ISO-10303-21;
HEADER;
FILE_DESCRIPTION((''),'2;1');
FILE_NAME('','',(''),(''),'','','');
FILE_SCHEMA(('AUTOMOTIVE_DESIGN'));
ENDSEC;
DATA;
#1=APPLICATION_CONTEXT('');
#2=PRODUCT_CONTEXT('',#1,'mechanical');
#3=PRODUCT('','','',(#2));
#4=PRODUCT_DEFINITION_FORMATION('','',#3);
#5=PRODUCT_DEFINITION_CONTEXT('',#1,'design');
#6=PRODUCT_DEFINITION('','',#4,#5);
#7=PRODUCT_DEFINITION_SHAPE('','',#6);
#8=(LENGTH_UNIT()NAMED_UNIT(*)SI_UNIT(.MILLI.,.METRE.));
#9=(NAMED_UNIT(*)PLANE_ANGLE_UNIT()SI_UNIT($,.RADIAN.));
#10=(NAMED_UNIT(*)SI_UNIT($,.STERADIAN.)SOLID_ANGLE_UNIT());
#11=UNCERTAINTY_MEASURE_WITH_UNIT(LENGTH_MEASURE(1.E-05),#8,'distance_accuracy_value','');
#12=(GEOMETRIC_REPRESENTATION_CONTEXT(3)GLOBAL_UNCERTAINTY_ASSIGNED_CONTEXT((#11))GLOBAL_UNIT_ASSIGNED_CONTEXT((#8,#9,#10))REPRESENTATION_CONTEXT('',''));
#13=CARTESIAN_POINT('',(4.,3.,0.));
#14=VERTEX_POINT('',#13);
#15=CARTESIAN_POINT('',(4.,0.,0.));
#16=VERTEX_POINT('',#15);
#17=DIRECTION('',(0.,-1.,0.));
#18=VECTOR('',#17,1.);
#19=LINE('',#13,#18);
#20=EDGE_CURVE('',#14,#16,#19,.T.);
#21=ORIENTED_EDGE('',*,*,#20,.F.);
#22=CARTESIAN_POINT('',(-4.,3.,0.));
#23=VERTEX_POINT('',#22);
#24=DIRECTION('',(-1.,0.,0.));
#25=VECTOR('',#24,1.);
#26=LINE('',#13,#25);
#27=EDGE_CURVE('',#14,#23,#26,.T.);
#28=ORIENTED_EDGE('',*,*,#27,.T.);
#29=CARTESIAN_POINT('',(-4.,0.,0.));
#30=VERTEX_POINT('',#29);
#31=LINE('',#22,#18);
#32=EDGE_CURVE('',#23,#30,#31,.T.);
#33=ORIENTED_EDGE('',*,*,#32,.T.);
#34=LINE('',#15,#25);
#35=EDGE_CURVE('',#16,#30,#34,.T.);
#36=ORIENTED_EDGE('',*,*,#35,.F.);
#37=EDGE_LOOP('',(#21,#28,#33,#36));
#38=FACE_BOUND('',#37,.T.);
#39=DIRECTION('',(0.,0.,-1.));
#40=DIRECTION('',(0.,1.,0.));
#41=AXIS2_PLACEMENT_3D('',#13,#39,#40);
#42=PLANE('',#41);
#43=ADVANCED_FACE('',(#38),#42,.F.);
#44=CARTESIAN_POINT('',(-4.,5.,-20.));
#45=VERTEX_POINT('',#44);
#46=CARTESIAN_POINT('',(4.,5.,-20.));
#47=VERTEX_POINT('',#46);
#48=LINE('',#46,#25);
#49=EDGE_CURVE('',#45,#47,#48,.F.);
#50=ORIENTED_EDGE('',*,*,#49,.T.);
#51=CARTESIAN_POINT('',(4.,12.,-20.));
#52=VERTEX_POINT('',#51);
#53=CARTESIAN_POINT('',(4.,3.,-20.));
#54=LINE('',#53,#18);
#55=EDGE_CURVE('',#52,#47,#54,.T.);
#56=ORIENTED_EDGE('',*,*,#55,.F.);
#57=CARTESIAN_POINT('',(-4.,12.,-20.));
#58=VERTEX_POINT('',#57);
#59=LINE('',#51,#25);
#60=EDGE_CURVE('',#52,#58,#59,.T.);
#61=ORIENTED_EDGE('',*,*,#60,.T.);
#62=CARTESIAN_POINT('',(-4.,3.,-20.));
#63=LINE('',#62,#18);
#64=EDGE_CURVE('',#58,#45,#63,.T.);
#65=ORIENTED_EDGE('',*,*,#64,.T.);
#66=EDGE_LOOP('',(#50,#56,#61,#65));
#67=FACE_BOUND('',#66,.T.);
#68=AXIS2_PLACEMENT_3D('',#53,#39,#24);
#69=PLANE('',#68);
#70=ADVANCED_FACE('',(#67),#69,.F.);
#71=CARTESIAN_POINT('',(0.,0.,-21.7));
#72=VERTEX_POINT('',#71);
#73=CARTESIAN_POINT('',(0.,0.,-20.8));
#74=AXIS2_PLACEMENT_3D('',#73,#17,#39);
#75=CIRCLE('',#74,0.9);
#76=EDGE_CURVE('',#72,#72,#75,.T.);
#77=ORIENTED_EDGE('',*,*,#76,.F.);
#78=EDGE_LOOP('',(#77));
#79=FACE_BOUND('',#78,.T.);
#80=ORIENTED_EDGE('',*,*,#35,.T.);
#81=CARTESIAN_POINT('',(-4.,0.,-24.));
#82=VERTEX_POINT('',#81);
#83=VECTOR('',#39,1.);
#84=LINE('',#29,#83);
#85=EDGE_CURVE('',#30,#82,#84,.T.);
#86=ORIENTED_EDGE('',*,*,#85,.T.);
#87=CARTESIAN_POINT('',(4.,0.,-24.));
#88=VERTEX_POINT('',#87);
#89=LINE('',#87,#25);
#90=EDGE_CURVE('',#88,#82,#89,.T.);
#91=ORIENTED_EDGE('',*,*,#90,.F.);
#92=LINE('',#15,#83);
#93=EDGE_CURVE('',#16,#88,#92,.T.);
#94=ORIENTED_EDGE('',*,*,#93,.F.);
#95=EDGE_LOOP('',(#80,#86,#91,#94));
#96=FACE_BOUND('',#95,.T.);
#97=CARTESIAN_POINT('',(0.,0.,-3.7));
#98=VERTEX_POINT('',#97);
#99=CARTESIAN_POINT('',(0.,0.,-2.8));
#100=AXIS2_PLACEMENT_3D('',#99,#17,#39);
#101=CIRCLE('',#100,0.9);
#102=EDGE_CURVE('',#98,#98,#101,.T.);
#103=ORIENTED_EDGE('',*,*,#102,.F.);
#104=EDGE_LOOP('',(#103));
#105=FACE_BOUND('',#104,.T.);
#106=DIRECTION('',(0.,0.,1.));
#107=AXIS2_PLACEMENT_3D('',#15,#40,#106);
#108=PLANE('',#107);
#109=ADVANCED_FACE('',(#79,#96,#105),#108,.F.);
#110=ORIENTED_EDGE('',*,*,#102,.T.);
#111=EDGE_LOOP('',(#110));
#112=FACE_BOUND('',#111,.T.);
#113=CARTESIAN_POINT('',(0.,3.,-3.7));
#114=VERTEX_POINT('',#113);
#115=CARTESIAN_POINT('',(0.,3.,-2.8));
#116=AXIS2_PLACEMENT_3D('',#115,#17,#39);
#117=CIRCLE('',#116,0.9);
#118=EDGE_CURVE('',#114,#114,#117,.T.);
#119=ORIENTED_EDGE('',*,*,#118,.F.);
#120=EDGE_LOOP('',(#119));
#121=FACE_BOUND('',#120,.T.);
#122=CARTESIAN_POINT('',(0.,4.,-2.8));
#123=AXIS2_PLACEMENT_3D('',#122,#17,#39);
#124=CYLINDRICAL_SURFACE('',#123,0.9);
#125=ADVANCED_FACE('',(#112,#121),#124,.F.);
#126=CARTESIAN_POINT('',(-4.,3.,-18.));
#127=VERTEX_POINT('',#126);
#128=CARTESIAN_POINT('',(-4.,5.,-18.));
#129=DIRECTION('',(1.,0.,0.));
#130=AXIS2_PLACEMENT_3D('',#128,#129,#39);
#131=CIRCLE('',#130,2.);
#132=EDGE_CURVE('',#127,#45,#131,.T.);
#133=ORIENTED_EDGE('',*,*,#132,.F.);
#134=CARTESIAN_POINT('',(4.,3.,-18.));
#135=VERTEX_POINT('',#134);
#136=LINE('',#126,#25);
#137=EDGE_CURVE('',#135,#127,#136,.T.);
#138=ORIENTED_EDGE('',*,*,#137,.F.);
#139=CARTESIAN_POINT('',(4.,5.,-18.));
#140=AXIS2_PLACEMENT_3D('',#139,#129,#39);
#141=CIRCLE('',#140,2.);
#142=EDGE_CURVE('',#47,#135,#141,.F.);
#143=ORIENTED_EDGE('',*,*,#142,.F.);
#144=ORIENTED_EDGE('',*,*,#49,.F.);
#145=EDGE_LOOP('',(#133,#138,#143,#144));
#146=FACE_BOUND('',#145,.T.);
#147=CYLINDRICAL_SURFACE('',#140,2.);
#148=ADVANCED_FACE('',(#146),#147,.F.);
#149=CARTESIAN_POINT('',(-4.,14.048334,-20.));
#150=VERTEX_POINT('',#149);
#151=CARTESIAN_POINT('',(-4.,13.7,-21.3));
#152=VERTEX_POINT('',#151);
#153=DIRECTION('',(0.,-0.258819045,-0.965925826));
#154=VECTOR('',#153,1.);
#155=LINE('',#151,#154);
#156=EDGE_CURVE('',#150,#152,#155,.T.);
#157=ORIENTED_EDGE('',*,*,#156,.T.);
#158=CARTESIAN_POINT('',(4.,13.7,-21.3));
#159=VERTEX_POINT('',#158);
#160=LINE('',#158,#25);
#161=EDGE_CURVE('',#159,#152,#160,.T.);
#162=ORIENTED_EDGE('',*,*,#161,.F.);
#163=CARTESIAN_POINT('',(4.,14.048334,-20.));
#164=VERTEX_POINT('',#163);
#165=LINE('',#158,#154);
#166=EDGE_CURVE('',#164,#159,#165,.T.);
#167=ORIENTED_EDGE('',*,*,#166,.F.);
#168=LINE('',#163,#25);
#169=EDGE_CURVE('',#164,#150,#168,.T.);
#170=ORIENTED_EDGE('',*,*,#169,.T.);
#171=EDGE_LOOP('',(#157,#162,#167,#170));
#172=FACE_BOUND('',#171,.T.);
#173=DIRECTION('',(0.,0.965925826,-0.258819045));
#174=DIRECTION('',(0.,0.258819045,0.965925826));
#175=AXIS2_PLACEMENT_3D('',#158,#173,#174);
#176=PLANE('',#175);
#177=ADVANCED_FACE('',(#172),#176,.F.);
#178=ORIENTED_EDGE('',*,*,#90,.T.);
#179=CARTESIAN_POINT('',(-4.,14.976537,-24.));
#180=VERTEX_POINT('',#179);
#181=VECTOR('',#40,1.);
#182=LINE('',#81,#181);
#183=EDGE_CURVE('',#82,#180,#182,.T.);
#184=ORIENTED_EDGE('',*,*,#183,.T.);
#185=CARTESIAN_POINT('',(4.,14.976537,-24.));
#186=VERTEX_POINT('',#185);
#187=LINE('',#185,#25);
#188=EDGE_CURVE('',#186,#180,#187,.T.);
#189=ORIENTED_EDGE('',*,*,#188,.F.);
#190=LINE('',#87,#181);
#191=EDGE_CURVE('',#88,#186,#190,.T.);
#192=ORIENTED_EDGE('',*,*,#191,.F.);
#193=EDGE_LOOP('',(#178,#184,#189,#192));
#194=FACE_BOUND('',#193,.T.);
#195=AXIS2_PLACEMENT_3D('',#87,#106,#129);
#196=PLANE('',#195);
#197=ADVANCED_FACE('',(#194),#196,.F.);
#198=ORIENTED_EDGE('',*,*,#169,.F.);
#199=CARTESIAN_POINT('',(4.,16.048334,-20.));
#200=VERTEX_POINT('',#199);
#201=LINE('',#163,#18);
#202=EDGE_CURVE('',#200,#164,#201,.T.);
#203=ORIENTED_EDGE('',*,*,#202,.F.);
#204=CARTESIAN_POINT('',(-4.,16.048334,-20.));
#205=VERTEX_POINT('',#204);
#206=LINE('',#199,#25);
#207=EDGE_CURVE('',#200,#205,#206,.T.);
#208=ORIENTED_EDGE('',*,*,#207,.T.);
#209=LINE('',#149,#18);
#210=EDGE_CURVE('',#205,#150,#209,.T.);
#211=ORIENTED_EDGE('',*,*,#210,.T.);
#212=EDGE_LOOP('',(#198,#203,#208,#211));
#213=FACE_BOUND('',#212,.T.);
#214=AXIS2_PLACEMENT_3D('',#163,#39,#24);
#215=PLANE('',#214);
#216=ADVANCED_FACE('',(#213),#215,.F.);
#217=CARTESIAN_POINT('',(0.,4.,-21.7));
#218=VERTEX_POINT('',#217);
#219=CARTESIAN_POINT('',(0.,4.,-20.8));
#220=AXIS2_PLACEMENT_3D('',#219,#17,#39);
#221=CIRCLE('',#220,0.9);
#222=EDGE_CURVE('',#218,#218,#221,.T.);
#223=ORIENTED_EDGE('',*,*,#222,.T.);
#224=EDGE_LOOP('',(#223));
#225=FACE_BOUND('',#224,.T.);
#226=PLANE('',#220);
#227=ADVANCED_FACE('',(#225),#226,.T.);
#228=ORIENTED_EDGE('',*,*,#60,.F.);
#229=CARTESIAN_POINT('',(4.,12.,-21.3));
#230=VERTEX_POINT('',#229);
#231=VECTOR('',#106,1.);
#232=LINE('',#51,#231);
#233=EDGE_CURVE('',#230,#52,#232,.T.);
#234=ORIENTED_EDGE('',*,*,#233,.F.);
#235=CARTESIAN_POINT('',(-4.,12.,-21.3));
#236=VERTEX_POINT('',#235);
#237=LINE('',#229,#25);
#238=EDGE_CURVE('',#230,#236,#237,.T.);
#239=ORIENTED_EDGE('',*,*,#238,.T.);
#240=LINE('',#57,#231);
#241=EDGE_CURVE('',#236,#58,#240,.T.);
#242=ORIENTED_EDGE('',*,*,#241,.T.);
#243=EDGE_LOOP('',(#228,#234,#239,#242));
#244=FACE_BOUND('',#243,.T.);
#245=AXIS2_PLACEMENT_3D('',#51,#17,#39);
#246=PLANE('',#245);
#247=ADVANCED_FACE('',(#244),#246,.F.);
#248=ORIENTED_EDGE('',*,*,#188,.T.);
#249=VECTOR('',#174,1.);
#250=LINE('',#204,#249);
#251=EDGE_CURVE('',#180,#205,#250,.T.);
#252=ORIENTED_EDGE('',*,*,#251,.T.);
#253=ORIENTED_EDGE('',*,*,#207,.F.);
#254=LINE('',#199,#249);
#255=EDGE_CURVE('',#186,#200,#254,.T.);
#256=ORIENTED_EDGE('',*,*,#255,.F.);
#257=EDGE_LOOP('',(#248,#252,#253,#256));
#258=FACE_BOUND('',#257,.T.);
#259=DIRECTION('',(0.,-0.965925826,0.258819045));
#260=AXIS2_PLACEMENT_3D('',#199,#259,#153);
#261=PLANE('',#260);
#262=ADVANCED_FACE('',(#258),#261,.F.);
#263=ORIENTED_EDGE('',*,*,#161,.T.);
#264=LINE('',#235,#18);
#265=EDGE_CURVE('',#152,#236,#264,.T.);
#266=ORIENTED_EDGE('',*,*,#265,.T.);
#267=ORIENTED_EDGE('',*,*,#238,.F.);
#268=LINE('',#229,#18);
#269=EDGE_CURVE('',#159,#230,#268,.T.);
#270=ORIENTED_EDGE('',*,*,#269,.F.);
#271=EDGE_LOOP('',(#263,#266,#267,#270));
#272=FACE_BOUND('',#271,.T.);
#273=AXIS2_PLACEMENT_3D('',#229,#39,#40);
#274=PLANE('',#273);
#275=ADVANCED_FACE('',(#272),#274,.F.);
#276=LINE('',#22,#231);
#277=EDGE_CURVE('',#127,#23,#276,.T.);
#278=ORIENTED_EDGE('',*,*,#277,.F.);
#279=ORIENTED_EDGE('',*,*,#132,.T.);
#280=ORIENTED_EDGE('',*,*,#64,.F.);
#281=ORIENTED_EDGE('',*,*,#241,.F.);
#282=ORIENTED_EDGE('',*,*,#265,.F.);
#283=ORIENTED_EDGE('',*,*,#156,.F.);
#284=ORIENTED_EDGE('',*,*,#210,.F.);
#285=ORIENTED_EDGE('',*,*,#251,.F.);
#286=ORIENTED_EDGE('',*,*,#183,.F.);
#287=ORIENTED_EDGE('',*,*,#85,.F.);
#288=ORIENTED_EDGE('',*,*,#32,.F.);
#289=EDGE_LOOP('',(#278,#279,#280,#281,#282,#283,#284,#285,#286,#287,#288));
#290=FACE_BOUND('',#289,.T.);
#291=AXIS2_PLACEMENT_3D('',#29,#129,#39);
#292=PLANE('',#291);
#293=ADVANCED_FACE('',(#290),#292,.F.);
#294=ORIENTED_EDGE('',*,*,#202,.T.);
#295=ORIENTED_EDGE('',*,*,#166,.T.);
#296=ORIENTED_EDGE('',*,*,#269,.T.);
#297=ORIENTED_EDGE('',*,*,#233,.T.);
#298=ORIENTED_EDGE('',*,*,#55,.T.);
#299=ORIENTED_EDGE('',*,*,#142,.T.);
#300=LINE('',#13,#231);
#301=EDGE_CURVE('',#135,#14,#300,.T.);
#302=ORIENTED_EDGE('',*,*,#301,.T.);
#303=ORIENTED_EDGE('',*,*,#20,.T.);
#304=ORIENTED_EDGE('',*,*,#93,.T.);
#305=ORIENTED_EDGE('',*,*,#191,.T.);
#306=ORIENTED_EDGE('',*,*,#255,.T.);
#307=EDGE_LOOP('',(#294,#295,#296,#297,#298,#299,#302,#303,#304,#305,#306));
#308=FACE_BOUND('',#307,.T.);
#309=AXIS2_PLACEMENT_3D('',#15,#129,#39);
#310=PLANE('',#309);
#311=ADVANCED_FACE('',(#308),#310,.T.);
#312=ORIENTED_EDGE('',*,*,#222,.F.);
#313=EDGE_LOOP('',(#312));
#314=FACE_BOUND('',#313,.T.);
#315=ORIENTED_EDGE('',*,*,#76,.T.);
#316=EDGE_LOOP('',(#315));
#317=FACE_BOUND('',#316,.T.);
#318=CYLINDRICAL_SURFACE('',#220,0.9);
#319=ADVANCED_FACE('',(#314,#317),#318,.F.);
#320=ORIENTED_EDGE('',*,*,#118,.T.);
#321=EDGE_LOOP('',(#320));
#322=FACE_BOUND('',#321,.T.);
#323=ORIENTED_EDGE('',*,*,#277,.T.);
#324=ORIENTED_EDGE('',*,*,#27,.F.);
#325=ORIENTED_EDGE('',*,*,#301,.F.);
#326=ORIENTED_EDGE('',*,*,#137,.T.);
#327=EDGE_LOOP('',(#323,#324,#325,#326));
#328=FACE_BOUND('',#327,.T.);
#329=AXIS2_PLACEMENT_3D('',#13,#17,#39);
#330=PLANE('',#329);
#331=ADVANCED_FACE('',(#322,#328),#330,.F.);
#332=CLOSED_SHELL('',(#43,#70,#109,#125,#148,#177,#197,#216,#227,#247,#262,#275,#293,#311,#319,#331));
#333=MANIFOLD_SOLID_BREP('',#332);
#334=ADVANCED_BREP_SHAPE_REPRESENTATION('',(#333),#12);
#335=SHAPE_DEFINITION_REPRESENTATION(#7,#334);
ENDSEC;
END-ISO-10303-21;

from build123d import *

# Parameters (mm, degrees)
BOSS_EXTRUDE1_DEPTH = 4
FILLET1_R           = 2
SKETCH2_R           = 0.9
CUT_EXTRUDE1_DEPTH  = 4


with BuildPart() as part:
    # Sketch1 → Boss-Extrude1 (new, symmetric)
    with BuildSketch(Plane(origin=(0, 0, 0), x_dir=(0, 0, -1), z_dir=(1, 0, 0))):
        Polygon((0, 3), (20, 3), (20, 12), (21.3, 12), (21.3, 13.7), (20, 14.04833395), (20, 16.04833395), (24, 14.97653718), (24, 0), (0, 0), align=None)
    extrude(amount=BOSS_EXTRUDE1_DEPTH, both=True)

    # Fillet1
    fillet1_edges = [part.edges().sort_by_distance(p)[0] for p in [
        (0, 3, -20),
    ]]
    fillet(fillet1_edges, radius=FILLET1_R)

    # Sketch2 → Cut-Extrude1 (cut)
    with BuildSketch(Plane.XZ):
        with Locations((0, -20.8)):
            Circle(SKETCH2_R)
        with Locations((0, -2.8)):
            Circle(SKETCH2_R)
    extrude(amount=-CUT_EXTRUDE1_DEPTH, mode=Mode.SUBTRACT)


solid = part.part
